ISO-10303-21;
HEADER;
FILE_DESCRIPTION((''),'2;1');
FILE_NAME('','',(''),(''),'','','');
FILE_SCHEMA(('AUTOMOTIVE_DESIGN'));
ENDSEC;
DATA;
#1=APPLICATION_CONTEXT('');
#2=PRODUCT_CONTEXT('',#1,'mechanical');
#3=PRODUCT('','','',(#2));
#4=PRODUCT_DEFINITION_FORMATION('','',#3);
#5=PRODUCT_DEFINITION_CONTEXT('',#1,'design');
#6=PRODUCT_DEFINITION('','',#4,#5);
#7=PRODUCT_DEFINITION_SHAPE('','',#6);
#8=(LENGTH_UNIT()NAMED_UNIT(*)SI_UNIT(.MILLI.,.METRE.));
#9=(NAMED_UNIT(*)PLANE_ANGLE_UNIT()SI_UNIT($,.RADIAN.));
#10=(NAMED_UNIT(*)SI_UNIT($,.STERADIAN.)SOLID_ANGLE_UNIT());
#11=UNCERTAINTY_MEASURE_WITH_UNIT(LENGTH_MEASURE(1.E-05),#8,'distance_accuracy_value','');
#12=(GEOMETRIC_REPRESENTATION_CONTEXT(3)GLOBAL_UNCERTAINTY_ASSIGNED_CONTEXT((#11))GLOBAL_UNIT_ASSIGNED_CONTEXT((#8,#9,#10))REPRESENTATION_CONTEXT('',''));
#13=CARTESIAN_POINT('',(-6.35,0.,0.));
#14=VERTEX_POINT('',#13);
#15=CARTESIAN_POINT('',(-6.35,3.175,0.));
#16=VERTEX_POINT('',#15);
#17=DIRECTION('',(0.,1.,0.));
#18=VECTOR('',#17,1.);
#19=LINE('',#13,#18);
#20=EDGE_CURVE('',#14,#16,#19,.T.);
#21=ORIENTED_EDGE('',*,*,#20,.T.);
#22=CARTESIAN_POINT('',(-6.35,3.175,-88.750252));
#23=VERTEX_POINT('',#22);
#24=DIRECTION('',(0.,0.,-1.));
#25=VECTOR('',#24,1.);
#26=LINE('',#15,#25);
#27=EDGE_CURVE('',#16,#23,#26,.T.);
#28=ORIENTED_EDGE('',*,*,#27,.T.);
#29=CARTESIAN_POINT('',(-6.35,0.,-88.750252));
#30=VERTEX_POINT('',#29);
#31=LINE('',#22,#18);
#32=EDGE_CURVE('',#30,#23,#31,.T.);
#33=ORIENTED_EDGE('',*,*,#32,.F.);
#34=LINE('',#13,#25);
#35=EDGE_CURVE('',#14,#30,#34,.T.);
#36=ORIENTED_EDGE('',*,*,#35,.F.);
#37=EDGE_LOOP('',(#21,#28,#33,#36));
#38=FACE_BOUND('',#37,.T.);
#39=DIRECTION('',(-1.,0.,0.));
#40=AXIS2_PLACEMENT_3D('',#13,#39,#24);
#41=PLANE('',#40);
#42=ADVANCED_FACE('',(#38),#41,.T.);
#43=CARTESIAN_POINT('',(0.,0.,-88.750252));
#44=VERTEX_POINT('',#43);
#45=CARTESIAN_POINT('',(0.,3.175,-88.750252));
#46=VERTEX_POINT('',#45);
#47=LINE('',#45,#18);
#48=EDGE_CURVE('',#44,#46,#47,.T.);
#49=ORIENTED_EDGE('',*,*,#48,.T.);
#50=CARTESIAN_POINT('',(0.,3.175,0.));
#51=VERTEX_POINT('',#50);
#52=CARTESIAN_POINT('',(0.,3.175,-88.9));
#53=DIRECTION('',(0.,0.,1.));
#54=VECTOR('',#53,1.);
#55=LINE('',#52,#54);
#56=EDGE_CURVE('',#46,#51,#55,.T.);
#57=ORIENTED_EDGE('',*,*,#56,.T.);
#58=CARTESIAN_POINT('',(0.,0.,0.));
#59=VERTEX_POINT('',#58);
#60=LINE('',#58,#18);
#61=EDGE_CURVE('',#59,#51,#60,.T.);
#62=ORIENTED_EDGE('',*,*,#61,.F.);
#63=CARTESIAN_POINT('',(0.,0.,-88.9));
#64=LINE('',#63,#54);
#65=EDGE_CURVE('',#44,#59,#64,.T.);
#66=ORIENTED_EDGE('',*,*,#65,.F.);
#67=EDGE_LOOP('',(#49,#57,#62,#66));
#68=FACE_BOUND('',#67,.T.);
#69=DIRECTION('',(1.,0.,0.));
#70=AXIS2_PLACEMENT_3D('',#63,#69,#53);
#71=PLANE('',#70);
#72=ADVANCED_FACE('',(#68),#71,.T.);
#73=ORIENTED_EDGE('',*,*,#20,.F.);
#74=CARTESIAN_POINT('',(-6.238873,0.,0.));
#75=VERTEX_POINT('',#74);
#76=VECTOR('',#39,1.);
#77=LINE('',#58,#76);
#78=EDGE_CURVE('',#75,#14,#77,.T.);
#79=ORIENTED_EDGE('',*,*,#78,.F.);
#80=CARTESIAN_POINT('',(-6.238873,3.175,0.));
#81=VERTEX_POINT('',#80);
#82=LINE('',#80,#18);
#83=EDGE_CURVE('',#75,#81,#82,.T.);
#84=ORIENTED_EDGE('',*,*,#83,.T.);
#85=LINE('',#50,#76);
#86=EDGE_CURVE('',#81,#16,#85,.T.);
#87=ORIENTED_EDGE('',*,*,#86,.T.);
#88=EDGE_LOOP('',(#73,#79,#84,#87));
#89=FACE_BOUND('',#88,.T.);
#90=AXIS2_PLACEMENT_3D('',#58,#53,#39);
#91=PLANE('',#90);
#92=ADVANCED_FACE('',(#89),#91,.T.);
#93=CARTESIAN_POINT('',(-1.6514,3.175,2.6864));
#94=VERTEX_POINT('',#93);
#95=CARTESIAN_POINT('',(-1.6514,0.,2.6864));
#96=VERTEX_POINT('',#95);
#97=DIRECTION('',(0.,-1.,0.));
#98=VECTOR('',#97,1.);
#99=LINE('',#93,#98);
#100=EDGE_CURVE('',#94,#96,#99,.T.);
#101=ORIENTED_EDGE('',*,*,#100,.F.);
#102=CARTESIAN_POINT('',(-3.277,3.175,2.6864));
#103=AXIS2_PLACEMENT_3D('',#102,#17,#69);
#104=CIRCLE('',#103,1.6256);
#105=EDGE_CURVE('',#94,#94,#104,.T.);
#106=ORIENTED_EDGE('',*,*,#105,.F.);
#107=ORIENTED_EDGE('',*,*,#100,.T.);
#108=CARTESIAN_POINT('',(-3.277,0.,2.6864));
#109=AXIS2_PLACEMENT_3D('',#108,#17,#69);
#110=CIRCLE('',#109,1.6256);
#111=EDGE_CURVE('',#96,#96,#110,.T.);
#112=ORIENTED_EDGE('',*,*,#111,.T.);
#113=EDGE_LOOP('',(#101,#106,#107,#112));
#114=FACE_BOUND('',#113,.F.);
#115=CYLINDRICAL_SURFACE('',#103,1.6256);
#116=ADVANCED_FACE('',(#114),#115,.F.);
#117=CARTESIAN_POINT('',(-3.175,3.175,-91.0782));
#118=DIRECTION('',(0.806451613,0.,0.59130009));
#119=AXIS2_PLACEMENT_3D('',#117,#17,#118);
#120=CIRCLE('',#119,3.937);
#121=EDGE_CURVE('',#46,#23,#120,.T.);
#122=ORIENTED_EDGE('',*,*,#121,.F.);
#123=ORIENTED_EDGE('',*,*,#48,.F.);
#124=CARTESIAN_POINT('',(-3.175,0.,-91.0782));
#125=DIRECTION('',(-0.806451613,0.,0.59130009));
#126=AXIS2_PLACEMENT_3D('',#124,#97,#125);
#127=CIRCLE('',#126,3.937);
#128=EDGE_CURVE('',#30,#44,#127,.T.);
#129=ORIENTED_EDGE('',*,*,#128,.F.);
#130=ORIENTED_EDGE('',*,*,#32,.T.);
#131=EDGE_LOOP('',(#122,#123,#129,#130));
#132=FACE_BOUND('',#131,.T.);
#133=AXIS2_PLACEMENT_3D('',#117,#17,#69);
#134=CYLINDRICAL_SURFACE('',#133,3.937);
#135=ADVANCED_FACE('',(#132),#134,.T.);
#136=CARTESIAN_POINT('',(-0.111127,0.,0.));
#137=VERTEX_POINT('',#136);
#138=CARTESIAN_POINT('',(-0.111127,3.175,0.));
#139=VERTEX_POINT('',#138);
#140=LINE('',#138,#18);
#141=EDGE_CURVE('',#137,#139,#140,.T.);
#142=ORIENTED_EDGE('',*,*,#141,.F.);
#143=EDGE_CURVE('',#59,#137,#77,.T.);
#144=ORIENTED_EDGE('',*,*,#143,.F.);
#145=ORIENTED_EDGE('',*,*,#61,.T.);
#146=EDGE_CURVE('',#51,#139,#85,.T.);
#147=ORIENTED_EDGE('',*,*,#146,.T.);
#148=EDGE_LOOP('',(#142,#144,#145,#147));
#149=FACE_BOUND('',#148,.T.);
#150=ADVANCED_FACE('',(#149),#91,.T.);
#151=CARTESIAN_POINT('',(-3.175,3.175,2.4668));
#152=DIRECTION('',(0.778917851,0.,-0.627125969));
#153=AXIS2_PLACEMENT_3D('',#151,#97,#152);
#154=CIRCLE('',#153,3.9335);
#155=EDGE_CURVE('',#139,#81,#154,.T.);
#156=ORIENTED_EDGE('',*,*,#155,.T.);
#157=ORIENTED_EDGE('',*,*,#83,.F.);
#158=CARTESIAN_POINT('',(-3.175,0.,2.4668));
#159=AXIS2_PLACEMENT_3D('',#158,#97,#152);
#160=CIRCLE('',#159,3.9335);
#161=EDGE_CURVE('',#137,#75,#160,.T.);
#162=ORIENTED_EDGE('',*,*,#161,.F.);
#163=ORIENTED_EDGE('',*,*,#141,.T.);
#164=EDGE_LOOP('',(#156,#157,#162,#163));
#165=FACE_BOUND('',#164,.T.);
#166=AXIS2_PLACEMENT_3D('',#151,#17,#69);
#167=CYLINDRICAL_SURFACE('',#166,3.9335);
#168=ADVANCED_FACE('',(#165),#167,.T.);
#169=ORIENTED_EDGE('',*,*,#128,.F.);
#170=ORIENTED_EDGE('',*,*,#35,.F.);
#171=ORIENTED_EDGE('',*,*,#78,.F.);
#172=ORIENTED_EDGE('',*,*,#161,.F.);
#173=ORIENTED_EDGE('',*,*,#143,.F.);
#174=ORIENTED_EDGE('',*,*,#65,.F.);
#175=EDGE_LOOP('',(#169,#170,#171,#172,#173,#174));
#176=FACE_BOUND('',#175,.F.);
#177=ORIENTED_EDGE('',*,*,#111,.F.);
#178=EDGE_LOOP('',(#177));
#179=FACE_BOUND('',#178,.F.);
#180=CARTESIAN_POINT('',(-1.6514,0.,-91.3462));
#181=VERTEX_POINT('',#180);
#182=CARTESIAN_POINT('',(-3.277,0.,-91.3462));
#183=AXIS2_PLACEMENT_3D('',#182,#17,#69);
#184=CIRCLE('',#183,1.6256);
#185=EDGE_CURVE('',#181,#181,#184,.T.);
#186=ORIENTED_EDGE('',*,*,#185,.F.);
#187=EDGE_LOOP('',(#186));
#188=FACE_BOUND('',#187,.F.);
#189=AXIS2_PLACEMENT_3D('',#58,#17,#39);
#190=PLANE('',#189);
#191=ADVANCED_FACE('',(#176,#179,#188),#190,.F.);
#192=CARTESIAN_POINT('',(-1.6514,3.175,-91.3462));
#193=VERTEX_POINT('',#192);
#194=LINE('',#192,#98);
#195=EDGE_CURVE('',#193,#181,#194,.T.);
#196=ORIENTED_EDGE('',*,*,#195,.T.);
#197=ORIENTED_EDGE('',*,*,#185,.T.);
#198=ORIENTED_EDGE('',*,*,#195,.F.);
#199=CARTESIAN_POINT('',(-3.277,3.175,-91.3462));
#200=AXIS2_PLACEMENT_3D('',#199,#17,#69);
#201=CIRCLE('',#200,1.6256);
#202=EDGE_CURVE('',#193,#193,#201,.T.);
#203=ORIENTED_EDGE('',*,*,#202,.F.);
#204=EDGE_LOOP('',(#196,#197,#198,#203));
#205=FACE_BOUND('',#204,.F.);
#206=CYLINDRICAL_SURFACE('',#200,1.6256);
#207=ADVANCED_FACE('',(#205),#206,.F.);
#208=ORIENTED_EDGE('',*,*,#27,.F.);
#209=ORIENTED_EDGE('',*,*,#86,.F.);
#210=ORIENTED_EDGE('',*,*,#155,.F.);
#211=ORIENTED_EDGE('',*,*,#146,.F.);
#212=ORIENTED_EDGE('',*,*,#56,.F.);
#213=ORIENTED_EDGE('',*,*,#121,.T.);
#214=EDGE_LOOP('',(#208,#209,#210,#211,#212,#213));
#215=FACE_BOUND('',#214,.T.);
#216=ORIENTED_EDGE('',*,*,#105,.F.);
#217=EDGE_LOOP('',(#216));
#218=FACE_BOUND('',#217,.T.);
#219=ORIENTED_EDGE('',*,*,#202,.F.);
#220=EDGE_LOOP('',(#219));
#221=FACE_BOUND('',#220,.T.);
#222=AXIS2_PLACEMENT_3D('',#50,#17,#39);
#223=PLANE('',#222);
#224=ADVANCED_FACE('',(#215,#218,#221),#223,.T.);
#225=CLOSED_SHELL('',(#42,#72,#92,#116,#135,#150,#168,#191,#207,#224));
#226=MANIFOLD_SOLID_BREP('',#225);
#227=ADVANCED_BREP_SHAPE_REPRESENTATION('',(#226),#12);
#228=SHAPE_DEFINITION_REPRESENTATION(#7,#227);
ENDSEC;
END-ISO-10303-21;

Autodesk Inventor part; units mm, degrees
ref_plane "YZ Plane" through (0, 0, 0) normal (1, 0, 0) x (0, 1, 0)
ref_plane "XZ Plane" through (0, 0, 0) normal (0, 1, 0) x (-1, 0, 0)
ref_plane "XY Plane" through (0, 0, 0) normal (0, 0, 1) x (1, 0, 0)
sketch "Sketch1" plane through (0, 0, 0) normal (0, 1, 0) x (-1, 0, 0)
  line L0 (0, 0) -> (6.35, 0)
  line L1 (6.35, 0) -> (6.35, -88.9)
  line L2 (6.35, -88.9) -> (0, -88.9)
  line L3 (0, -88.9) -> (0, 0)
  dimension "d0" = 6.35
  dimension "d1" = 88.9
extrude "Extrusion1" add sketch "Sketch1" along normal blind 3.175
sketch "Sketch2" plane through (0, 3.175, 0) normal (0, 1, 0) x (1, 0, 0)
  circle A0 centre (-3.175, -2.4668) radius 3.9335
  circle A1 centre (-3.175, 91.0782) radius 3.937
  point P0 (0, 0)
  dimension "d4" = 7.8671
  dimension "d5" = 7.874
extrude "Extrusion2" add sketch "Sketch2" against normal blind 3.175
sketch "Sketch3" plane through (0, 3.175, 0) normal (0, 1, 0) x (1, 0, 0)
  circle A0 centre (-3.277, 91.3462) radius 1.6256
  circle A1 centre (-3.277, -2.6864) radius 1.6256
  point P0 (0, 0)
  dimension "d8" = 3.2512
  dimension "d9" = 3.2512
extrude "Extrusion3" cut sketch "Sketch3" against normal blind 3.175
properties part number "linkage arm"
